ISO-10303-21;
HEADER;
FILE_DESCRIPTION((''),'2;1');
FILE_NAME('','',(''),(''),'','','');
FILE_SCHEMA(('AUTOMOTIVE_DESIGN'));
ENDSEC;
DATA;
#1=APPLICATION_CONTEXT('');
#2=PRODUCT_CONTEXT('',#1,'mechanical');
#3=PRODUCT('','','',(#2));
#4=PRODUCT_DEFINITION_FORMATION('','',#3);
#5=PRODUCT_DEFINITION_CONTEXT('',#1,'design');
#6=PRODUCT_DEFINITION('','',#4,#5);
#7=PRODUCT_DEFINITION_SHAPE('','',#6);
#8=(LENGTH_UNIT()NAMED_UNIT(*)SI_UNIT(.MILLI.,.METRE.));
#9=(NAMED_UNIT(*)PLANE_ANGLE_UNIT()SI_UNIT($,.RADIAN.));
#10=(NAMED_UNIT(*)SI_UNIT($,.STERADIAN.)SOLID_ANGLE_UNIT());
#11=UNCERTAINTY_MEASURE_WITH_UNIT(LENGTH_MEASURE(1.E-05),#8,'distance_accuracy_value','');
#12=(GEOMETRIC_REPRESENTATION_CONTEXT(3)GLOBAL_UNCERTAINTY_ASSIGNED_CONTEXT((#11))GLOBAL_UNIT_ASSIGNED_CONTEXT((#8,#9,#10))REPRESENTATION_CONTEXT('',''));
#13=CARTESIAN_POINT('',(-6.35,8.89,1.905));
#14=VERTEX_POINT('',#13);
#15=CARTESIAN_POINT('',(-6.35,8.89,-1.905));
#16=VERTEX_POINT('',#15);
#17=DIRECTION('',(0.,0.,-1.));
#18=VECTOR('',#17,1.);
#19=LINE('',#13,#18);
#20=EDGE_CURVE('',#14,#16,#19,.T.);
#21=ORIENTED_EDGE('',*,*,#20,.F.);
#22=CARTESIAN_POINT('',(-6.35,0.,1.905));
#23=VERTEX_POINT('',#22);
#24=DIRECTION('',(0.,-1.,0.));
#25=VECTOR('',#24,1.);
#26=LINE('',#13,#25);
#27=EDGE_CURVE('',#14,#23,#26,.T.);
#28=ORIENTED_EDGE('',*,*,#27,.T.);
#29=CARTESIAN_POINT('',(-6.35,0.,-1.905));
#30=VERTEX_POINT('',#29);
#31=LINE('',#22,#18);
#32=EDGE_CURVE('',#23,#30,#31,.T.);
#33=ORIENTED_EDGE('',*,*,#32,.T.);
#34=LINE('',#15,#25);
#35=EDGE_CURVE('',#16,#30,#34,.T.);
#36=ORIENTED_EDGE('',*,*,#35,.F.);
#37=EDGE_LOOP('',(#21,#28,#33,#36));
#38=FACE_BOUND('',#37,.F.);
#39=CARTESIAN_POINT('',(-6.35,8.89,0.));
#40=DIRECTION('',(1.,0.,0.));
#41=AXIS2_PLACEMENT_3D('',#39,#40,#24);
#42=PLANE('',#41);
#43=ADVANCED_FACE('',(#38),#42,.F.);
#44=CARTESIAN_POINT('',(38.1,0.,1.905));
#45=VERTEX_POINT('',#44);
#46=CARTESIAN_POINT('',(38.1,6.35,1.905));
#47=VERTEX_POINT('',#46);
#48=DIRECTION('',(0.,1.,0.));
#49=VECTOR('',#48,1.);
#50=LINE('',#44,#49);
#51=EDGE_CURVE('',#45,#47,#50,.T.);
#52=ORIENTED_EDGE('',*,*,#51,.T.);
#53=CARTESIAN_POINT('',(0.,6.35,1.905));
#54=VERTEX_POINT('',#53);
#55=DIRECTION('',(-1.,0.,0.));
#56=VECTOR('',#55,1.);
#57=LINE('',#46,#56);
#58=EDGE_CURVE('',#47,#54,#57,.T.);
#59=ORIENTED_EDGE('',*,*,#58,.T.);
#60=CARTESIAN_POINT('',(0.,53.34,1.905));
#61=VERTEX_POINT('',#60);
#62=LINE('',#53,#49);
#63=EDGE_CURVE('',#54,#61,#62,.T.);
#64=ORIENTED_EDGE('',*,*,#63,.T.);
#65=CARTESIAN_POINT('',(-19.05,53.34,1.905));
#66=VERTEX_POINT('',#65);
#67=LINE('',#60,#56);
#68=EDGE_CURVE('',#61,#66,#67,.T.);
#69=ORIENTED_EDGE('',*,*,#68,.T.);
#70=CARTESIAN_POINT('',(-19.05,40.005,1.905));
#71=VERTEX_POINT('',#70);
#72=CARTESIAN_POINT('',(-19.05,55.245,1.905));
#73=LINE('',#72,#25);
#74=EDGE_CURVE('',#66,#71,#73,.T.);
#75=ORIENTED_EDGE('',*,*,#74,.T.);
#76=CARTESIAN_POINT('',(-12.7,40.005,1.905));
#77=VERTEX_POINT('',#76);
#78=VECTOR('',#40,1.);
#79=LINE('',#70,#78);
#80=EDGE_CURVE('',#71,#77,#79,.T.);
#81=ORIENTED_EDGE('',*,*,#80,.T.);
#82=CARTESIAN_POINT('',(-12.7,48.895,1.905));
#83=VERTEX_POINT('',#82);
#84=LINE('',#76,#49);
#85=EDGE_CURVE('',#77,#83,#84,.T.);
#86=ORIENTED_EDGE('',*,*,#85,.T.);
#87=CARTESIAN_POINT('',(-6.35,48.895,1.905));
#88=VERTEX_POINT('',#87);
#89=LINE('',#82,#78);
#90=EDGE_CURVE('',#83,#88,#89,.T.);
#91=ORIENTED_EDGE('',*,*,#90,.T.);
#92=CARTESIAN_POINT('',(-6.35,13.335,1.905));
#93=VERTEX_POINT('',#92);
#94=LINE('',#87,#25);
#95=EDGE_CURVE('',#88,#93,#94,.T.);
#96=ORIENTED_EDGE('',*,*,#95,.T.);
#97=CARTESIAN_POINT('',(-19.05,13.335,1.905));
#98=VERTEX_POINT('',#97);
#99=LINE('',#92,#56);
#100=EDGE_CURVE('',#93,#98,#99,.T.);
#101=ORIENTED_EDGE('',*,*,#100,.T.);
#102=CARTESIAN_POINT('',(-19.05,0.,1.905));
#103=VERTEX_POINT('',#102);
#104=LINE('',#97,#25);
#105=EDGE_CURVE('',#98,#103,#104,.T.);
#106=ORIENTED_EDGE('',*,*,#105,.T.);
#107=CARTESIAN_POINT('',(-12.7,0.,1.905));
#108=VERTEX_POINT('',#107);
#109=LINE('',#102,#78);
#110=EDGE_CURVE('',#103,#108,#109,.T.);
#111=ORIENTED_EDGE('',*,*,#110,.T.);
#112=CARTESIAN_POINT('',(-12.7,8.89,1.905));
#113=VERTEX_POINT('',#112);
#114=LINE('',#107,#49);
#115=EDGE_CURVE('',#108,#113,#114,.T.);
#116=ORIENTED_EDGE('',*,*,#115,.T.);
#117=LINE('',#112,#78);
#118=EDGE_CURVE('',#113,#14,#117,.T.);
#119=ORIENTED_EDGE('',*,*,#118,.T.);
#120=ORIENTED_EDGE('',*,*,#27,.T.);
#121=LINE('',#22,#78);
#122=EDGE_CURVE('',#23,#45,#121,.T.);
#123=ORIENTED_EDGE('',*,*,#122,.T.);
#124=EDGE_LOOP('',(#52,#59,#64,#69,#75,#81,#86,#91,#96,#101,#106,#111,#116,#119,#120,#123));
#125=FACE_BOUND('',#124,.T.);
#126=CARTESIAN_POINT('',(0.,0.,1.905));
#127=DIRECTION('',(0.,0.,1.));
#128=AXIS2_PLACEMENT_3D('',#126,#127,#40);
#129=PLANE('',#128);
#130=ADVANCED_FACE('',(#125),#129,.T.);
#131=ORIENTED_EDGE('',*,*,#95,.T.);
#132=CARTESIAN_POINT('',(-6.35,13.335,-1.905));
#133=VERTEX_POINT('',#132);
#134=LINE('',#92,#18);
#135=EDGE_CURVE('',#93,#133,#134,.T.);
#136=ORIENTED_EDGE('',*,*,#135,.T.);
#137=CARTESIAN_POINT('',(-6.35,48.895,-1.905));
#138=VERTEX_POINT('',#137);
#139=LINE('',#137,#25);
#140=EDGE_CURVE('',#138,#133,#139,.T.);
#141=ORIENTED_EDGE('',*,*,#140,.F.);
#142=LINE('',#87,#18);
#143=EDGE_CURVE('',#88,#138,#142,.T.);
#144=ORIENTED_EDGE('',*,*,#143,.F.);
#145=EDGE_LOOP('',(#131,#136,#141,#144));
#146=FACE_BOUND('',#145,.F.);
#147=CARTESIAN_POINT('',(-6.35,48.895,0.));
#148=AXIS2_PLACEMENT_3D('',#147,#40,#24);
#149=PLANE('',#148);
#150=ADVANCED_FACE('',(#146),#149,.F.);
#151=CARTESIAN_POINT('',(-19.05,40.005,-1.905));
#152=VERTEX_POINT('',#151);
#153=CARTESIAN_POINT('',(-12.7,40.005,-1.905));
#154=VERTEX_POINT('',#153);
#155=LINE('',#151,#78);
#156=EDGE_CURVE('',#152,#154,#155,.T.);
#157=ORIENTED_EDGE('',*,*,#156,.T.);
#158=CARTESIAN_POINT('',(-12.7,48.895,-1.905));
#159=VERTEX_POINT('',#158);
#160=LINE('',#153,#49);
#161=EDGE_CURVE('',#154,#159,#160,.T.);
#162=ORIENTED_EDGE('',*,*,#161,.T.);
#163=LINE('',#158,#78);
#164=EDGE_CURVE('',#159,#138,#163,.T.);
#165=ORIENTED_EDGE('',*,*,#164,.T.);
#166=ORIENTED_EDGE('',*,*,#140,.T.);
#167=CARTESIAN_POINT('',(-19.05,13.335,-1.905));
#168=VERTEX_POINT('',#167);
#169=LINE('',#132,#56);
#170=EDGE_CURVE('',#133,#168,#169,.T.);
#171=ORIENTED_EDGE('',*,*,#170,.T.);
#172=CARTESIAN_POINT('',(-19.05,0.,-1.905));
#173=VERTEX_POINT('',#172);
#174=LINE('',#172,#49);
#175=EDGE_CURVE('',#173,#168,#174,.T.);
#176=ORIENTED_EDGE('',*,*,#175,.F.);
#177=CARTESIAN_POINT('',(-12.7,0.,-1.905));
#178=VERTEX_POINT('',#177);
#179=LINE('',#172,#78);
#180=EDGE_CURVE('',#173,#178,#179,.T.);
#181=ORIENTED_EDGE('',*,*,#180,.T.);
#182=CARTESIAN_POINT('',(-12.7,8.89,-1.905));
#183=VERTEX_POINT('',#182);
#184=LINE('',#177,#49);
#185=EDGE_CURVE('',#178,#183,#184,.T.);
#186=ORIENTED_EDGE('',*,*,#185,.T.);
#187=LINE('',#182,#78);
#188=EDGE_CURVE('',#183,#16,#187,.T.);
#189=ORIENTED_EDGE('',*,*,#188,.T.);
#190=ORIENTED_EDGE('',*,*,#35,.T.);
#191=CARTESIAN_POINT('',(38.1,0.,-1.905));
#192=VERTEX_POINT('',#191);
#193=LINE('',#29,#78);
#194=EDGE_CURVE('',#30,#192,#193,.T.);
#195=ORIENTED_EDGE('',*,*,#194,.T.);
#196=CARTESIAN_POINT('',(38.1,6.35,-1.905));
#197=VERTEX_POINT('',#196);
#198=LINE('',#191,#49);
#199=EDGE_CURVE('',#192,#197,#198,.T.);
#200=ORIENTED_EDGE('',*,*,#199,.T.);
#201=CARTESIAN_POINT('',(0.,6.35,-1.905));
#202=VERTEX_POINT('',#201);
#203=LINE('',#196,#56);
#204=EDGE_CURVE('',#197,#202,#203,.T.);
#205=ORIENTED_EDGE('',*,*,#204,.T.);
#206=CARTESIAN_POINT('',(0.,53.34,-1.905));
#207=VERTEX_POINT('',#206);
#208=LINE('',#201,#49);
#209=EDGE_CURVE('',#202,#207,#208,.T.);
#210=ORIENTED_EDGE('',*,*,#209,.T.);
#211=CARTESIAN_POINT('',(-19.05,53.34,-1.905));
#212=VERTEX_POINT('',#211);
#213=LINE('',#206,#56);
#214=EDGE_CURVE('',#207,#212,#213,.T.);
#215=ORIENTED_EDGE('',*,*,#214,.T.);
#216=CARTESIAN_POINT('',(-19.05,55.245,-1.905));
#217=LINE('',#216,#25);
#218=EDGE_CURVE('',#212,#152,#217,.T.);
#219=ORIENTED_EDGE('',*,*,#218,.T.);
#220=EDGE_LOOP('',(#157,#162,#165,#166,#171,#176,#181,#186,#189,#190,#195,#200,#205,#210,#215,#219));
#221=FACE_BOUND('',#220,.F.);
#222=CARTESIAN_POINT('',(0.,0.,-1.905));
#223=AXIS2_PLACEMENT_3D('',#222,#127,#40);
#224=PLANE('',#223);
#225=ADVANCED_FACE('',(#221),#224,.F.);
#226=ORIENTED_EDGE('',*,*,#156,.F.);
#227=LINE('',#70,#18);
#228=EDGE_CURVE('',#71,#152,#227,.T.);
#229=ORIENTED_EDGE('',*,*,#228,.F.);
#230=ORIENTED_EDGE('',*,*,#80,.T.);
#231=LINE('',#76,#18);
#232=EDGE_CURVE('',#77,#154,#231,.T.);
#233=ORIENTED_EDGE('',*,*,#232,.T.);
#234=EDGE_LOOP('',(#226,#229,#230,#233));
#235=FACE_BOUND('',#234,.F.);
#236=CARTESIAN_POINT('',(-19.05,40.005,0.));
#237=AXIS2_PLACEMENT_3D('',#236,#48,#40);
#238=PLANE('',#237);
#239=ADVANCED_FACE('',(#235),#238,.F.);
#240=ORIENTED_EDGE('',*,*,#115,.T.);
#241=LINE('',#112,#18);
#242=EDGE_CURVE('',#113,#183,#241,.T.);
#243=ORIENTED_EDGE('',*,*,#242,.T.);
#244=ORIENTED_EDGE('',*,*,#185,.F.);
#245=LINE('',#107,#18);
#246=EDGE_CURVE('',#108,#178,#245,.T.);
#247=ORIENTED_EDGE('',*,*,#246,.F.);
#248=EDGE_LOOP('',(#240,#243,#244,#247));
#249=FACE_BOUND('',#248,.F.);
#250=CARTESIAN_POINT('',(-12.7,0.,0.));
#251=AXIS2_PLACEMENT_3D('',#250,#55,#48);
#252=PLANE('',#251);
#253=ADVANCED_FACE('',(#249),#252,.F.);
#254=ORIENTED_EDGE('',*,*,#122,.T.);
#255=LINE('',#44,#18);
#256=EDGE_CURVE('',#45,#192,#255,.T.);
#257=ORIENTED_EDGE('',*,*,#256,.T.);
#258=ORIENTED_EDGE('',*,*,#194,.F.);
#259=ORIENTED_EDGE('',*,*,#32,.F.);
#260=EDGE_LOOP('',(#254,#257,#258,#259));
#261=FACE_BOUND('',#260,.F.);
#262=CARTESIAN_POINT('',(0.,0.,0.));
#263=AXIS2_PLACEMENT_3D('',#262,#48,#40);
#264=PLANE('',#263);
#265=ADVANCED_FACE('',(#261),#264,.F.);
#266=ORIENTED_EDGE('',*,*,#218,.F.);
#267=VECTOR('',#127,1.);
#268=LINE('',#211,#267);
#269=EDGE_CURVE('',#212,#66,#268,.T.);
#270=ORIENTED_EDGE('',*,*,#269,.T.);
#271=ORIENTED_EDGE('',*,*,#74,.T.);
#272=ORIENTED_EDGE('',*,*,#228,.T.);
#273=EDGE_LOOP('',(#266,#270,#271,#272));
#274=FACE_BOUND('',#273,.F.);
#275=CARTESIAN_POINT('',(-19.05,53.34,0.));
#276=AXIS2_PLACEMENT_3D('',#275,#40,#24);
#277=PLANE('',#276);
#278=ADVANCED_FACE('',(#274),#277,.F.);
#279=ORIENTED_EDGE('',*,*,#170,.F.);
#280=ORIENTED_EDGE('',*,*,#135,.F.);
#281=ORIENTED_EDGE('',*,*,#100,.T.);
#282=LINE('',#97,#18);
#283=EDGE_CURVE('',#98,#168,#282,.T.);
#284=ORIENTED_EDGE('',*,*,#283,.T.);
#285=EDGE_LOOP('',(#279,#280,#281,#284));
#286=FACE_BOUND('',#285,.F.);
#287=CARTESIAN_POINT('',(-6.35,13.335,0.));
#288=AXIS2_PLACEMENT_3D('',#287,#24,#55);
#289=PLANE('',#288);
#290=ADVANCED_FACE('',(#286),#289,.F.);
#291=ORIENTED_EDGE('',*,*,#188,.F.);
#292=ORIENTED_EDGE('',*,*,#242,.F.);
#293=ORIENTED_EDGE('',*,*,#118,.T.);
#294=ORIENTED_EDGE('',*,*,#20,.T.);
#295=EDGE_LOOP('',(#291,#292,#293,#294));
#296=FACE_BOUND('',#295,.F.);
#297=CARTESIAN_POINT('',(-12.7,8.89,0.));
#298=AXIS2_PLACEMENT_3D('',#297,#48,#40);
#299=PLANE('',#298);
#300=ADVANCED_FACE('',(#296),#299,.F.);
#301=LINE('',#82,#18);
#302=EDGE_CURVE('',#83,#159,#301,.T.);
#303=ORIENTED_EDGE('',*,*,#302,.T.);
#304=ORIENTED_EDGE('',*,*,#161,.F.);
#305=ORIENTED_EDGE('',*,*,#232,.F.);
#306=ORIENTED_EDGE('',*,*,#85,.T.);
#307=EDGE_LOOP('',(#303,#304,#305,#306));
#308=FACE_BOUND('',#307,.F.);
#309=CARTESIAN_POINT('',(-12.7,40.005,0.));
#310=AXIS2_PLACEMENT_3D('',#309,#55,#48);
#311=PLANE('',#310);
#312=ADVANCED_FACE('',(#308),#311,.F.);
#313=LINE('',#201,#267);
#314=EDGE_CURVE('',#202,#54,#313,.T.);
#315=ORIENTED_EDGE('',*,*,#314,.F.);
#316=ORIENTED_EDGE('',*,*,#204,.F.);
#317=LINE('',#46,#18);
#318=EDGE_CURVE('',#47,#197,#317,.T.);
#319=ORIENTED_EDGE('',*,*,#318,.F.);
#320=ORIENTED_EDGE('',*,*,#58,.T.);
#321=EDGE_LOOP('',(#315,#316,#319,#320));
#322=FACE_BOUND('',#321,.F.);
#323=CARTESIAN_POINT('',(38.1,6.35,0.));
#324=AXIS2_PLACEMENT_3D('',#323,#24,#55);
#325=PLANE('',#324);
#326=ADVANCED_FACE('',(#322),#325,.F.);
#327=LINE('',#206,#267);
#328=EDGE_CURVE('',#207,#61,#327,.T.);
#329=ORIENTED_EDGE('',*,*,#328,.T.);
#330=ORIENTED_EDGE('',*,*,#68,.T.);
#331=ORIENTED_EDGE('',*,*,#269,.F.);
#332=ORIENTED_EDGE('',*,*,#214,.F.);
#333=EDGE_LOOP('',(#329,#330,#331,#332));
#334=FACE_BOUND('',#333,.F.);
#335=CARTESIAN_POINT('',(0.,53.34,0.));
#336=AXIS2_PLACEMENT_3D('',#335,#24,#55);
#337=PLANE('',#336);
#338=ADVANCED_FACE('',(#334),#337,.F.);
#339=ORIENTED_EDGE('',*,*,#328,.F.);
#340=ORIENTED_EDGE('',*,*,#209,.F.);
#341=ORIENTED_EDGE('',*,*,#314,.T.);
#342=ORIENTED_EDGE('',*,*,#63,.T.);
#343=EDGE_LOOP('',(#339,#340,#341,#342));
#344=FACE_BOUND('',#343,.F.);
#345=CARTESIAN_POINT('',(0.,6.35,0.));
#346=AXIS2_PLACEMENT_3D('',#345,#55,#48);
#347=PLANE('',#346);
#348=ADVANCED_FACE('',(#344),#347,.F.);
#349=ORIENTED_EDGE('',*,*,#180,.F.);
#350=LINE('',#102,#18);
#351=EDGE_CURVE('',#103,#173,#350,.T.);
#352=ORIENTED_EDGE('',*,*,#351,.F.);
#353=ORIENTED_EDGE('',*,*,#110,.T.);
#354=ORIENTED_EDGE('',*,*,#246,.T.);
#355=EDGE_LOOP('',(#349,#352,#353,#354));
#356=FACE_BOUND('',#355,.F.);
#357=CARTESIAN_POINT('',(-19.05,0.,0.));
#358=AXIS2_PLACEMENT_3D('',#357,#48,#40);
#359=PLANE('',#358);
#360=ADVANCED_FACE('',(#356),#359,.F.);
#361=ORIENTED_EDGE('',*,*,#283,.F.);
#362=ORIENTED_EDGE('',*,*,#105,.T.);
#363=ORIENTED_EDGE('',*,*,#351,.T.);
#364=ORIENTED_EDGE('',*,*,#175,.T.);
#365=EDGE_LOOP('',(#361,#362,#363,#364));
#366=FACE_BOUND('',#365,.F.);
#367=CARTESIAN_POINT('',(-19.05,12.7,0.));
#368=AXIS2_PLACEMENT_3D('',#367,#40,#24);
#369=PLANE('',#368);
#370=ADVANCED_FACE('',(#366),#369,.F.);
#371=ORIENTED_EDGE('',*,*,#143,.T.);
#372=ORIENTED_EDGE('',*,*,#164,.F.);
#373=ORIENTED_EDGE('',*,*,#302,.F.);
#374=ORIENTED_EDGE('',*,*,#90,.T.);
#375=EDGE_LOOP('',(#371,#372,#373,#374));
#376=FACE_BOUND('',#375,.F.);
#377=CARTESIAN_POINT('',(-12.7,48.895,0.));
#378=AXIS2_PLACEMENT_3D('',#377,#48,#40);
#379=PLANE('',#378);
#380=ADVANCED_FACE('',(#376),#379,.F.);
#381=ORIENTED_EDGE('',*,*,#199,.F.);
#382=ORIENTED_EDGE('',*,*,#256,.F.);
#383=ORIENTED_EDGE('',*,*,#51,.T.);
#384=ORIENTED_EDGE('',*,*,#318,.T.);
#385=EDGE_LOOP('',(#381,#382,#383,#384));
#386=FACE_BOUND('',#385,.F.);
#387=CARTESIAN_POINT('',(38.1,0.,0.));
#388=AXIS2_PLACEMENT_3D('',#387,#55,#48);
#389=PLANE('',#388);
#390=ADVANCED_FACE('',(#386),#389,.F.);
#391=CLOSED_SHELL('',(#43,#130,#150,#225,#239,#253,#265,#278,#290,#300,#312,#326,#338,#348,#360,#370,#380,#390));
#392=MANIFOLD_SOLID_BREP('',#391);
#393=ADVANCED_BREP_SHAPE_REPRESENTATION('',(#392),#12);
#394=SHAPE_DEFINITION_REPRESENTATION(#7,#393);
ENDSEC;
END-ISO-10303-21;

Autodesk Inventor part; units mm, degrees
ref_plane "YZ Plane" through (0, 0, 0) normal (1, 0, 0) x (0, 1, 0)
ref_plane "XZ Plane" through (0, 0, 0) normal (0, 1, 0) x (-1, 0, 0)
ref_plane "XY Plane" through (0, 0, 0) normal (0, 0, 1) x (1, 0, 0)
sketch "Sketch1" plane through (0, 0, 0) normal (0, 0, 1) x (1, 0, 0)
  line L0 (0, 6.35) -> (0, 53.34)
  line L1 (0, 53.34) -> (-19.05, 53.34)
  line L2 (-19.05, 53.34) -> (-19.05, 55.245)
  line L3 (-12.7, 48.895) -> (-6.35, 48.895)
  line L4 (-6.35, 48.895) -> (-6.35, 13.335)
  line L5 (-6.35, 13.335) -> (-19.05, 13.335)
  line L6 (-19.05, 13.335) -> (-19.05, 12.7)
  line L7 (-12.7, 8.89) -> (-6.35, 8.89)
  line L8 (-6.35, 8.89) -> (-6.35, 0)
  line L9 (-6.35, 0) -> (0, 0)
  line L10 (-19.05, 55.245) -> (-19.05, 40.005)
  line L11 (-19.05, 40.005) -> (-12.7, 40.005)
  line L12 (-12.7, 40.005) -> (-12.7, 48.895)
  line L13 (-19.05, 12.7) -> (-19.05, 0)
  line L14 (-19.05, 0) -> (-12.7, 0)
  line L15 (-12.7, 0) -> (-12.7, 8.89)
  line L16 (0, 0) -> (38.1, 0)
  line L17 (38.1, 0) -> (38.1, 6.35)
  line L18 (38.1, 6.35) -> (0, 6.35)
  point P0 (-19.05, 53.34)
  point P1 (-19.05, 11.43)
  dimension "d1" = 35.56
  dimension "d2" = 4.445
  dimension "d3" = 4.445
  dimension "d4" = 6.35
  dimension "d6" = 6.35
  dimension "d7" = 6.35
  dimension "d10" = 38.1
  dimension "d13" = 13.335
  dimension "d14" = 13.335
extrude "Extrusion1" add sketch "Sketch1" along normal mid plane 3.81
equation "\"d11\" = width"
equation "\"width\" = 3.81"
properties part number "basicHangerV01"
